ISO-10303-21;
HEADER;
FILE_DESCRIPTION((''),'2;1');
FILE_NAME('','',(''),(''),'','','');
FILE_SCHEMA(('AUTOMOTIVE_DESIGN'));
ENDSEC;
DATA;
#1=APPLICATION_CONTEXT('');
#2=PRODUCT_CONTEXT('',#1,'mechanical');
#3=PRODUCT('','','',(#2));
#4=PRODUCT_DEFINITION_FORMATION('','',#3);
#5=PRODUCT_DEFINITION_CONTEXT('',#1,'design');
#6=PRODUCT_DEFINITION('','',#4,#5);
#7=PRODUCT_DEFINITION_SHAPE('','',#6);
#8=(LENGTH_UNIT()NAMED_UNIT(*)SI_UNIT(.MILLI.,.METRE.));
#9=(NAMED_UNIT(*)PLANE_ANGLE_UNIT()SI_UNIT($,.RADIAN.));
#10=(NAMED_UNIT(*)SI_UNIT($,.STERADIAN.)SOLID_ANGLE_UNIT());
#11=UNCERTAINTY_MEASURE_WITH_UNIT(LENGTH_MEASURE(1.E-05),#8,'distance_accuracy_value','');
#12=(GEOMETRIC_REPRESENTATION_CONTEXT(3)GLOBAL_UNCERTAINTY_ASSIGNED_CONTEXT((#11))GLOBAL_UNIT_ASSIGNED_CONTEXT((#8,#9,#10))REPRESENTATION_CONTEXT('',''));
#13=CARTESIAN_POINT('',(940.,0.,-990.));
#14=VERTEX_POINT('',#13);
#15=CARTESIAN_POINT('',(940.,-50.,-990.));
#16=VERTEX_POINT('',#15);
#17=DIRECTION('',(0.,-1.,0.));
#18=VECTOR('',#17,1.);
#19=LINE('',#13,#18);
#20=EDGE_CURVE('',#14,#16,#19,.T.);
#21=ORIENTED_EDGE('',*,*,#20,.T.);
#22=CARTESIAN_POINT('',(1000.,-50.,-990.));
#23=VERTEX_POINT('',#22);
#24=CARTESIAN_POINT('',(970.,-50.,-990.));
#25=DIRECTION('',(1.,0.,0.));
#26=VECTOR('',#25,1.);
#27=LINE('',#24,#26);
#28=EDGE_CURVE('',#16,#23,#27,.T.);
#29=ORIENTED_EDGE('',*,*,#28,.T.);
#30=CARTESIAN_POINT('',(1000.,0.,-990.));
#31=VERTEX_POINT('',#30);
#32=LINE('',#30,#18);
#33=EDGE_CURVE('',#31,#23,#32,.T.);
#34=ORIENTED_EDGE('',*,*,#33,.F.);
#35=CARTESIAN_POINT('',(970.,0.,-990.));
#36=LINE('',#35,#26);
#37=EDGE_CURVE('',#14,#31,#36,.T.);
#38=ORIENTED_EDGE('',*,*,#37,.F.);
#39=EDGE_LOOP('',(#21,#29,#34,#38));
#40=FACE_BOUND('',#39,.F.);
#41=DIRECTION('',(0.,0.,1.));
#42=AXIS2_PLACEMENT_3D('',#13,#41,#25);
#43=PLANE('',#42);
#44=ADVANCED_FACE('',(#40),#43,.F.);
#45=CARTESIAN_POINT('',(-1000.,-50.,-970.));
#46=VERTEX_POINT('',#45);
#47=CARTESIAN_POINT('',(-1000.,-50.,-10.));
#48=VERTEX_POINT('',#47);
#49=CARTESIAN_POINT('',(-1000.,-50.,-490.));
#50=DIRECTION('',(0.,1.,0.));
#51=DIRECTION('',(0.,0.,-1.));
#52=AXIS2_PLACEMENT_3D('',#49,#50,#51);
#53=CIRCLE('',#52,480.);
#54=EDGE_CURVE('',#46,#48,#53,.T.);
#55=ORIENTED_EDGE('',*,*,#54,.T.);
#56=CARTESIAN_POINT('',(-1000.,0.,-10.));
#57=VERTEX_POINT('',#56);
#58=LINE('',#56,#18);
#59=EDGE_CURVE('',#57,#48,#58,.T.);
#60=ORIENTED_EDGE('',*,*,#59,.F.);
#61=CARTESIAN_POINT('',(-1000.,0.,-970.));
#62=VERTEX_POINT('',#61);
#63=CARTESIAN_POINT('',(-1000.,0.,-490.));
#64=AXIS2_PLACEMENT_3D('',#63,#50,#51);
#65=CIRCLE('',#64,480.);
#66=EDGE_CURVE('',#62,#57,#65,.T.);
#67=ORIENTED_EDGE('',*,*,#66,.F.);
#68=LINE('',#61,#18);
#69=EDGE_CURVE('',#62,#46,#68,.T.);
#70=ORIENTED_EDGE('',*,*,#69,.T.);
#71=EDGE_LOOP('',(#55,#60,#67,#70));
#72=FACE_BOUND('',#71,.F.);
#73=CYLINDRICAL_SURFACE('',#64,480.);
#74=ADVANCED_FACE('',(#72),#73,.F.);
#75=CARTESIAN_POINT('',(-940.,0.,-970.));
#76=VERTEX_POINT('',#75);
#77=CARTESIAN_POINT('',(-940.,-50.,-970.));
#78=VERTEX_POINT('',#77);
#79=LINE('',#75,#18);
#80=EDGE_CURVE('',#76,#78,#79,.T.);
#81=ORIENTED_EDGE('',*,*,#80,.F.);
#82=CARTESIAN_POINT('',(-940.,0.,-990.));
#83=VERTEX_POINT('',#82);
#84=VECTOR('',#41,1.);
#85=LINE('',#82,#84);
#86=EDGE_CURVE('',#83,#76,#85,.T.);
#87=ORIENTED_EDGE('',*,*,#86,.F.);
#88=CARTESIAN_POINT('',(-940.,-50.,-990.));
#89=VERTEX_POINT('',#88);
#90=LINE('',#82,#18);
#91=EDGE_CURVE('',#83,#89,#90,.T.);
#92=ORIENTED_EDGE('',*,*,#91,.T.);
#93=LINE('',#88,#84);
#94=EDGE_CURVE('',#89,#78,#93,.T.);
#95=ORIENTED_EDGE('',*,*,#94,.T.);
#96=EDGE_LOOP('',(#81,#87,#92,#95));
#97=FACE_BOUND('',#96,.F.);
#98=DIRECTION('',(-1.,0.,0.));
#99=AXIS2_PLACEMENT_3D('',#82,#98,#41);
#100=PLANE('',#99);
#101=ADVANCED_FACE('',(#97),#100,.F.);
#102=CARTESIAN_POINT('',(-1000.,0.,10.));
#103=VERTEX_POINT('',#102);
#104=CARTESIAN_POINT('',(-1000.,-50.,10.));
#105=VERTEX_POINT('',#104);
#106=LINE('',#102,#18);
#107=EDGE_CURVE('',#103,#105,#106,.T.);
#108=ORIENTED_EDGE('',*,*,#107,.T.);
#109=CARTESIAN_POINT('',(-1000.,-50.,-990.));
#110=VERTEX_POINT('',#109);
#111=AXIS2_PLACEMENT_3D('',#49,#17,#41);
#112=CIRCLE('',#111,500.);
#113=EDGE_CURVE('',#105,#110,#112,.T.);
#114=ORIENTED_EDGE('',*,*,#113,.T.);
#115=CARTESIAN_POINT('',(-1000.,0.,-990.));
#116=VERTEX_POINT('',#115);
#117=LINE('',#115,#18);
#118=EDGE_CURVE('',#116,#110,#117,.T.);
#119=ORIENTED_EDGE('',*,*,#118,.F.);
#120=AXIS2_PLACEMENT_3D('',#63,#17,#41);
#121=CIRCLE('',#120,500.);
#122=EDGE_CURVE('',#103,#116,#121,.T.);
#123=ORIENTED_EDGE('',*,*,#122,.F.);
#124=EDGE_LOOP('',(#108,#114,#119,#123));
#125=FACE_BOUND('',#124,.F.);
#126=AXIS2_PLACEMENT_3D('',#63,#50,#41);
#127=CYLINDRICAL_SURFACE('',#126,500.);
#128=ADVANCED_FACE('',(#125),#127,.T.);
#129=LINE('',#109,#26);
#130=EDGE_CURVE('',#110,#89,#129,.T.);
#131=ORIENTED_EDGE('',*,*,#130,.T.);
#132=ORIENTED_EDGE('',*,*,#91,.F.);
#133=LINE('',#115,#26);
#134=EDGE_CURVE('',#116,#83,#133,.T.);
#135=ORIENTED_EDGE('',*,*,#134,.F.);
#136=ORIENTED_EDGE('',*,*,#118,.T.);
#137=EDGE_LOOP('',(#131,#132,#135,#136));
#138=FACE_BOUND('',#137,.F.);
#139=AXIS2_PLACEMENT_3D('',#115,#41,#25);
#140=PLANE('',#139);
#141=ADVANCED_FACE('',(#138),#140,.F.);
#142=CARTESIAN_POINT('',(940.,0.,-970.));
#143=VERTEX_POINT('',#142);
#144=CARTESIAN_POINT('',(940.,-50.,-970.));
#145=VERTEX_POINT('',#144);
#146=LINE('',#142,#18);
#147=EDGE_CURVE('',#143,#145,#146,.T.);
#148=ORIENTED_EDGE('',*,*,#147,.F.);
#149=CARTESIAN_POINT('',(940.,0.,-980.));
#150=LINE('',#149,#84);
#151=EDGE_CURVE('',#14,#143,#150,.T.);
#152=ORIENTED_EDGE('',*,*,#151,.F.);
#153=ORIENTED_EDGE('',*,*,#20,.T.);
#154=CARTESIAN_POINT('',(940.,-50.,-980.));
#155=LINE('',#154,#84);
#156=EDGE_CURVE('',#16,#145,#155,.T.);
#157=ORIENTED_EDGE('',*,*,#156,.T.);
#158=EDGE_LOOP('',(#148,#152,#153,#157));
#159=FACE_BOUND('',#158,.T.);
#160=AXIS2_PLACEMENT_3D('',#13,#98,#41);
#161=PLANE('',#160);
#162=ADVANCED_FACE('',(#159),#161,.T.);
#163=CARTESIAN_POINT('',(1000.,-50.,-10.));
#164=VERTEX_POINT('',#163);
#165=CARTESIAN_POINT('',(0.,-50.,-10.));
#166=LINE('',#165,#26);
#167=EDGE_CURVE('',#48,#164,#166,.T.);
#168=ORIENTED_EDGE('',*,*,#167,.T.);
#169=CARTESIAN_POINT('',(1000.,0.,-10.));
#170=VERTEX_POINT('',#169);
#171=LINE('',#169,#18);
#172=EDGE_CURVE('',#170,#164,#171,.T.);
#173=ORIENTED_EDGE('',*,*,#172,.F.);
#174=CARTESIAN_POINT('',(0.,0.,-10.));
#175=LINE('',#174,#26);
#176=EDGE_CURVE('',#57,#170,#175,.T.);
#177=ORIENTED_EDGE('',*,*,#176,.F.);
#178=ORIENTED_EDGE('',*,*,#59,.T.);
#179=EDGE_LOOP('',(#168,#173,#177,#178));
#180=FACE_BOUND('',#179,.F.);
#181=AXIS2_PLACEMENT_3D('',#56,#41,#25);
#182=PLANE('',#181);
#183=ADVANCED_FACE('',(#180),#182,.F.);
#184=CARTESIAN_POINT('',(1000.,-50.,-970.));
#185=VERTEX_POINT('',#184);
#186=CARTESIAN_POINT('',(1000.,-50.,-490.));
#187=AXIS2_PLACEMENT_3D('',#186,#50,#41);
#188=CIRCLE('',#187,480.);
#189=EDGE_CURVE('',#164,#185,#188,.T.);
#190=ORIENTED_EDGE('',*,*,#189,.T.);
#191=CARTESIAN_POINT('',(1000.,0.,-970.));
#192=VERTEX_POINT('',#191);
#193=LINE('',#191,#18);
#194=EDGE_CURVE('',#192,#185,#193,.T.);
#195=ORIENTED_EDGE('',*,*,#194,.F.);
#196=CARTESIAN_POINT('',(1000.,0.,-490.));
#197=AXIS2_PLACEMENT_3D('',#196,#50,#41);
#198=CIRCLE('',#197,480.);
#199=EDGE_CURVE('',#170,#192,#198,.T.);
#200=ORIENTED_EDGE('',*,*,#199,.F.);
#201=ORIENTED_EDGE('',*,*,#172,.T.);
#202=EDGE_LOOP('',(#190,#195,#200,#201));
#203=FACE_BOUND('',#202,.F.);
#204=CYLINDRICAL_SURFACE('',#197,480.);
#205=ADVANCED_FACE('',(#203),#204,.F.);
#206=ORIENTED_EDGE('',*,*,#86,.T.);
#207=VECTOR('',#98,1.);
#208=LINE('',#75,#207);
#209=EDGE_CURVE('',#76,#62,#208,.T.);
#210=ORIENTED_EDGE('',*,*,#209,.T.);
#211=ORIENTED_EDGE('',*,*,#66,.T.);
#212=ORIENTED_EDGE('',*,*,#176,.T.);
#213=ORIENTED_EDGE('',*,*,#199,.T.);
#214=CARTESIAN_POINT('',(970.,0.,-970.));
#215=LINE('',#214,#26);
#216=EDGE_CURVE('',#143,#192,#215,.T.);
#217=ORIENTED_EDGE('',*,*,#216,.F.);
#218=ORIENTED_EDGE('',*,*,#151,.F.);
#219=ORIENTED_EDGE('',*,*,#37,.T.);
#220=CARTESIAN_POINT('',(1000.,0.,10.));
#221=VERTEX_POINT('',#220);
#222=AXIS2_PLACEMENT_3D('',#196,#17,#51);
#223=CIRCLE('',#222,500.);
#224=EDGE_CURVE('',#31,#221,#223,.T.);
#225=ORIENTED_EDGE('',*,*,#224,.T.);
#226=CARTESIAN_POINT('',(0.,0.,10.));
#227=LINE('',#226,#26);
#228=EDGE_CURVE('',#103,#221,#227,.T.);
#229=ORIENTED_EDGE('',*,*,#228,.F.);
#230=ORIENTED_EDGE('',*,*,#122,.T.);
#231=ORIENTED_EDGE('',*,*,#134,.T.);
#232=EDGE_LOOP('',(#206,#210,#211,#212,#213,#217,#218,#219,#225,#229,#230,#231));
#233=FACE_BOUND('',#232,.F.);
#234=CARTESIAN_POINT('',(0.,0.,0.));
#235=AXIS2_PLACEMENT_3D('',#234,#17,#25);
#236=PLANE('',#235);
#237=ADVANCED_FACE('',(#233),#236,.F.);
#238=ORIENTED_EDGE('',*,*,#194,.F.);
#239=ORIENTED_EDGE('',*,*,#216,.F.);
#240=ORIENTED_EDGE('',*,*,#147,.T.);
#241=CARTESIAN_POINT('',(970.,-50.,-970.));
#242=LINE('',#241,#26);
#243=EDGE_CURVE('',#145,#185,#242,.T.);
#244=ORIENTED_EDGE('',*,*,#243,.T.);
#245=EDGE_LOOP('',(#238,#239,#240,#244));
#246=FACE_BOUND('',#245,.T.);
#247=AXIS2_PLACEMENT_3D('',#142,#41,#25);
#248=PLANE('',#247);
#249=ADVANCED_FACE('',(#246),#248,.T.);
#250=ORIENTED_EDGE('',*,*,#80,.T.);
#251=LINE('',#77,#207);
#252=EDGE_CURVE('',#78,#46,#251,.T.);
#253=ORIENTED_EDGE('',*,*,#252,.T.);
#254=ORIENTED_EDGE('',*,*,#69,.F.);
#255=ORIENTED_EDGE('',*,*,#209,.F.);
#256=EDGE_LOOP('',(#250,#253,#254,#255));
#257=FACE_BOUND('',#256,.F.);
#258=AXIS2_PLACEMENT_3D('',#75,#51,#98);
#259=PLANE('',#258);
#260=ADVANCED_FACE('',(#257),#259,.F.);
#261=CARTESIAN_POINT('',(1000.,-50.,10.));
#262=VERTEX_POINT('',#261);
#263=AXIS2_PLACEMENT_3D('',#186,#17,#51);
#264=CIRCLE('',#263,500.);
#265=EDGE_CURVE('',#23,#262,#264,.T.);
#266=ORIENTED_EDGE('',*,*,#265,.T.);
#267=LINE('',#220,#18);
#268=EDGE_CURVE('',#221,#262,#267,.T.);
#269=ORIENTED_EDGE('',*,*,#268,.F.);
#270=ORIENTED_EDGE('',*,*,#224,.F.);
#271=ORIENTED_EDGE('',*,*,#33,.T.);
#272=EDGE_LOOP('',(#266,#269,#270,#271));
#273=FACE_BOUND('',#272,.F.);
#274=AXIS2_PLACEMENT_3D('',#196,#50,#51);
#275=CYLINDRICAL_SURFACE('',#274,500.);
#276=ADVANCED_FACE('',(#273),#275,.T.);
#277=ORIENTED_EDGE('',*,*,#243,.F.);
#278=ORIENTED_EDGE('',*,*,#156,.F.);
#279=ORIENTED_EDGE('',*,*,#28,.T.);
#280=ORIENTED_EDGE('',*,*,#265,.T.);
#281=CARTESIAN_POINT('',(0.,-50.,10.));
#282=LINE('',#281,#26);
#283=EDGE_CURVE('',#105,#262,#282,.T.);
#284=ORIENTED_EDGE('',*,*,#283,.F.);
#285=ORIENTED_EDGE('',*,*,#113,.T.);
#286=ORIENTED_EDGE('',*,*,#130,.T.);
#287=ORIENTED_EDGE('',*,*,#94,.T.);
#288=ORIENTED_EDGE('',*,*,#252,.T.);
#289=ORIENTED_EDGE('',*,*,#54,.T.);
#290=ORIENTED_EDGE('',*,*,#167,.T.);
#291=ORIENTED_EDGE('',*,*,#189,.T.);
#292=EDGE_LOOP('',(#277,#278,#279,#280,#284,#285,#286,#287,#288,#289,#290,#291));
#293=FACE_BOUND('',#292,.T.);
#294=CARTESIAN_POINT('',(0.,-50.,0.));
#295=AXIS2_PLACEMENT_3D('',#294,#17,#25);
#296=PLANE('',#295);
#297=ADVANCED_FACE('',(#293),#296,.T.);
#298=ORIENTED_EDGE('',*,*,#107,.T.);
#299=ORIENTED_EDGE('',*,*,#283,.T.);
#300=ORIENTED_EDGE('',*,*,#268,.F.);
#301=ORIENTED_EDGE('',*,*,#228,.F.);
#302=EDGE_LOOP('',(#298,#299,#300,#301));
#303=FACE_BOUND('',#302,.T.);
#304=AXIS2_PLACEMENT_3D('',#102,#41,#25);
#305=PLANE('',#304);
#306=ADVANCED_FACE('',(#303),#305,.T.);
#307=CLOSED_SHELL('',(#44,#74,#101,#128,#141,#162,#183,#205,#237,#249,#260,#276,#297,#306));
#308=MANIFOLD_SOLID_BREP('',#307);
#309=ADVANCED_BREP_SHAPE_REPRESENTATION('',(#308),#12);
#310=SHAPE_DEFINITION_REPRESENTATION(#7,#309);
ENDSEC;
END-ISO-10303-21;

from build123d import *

# Parameters (mm, degrees)
F0_W     = 2000
F0_H     = 20
F0_W_2   = 60
F1_DEPTH = 50


with BuildPart() as f1:
    # F0 (on Front) → F1 (new body)
    with BuildSketch(Plane.XZ):
        Rectangle(F0_W, F0_H)
        with BuildLine():
            Line((-1000, -10), (-1000, 10))
            ThreePointArc((-1000, 10), (-1500, -490), (-1000, -990))
            Line((-1000, -990), (-940, -990))
            Line((-940, -990), (-940, -970))
            Line((-940, -970), (-1000, -970))
            ThreePointArc((-1000, -970), (-1480, -490), (-1000, -10))
        make_face()
        with BuildLine():
            ThreePointArc((1000, -990), (1500, -490), (1000, 10))
            Line((1000, 10), (1000, -10))
            ThreePointArc((1000, -10), (1480, -490), (1000, -970))
            Line((1000, -970), (1000, -990))
        make_face()
        with Locations((970, -980)):
            Rectangle(F0_W_2, F0_H)
    extrude(amount=F1_DEPTH)


solid = f1.part
